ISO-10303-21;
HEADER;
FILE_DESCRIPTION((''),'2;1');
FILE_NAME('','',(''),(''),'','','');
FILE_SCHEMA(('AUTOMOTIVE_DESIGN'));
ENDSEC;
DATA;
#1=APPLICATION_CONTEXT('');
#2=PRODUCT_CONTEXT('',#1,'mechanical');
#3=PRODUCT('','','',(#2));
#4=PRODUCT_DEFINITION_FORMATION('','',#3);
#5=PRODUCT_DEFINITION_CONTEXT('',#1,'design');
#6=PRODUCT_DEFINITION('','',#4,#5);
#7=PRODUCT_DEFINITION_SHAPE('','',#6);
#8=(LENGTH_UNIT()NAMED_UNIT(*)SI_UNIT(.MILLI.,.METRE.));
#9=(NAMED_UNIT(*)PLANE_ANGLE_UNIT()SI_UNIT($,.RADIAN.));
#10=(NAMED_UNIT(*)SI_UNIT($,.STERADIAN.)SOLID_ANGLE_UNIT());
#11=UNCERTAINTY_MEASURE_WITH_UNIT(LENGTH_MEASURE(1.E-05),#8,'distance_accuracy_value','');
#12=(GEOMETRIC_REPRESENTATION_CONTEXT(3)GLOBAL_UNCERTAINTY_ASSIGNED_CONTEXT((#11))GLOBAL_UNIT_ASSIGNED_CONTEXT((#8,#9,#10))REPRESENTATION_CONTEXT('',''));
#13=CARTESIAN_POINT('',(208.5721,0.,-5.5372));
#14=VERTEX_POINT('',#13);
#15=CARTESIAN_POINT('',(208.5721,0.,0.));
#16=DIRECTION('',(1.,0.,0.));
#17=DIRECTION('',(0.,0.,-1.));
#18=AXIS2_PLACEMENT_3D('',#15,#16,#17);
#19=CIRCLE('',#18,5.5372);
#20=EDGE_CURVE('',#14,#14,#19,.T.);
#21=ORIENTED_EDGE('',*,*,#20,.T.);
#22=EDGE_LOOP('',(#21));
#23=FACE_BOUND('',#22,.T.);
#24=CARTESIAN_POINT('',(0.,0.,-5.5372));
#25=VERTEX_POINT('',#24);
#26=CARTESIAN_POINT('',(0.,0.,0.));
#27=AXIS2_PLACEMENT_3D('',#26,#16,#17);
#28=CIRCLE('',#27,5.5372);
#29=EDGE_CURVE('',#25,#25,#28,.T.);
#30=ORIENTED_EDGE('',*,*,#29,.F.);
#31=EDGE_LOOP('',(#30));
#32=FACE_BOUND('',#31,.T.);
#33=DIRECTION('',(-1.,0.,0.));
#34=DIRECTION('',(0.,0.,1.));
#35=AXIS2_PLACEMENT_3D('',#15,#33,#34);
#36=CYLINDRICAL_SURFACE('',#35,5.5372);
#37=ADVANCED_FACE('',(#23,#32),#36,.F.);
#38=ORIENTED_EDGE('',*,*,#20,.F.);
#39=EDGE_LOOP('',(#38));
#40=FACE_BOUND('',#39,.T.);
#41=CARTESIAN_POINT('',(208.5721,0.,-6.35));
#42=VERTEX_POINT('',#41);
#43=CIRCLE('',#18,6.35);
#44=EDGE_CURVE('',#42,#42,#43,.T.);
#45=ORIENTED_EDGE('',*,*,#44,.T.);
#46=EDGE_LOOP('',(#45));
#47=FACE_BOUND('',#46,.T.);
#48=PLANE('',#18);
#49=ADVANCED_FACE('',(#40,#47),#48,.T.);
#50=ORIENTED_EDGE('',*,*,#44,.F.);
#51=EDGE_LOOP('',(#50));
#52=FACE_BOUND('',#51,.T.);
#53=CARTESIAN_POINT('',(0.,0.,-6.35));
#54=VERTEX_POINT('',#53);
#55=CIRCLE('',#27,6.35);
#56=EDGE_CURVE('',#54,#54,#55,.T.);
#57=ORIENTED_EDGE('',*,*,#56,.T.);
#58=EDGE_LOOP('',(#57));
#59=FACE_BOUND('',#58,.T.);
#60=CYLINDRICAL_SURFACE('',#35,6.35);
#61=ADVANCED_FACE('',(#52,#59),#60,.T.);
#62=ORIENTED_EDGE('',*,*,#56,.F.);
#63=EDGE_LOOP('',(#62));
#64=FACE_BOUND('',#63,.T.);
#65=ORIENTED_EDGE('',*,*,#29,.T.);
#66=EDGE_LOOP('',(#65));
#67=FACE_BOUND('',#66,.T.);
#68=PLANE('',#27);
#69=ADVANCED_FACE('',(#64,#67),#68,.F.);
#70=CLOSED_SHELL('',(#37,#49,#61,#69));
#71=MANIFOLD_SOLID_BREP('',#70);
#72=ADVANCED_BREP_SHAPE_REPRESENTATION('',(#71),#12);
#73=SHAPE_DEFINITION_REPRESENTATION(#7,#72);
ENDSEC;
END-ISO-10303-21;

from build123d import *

# Parameters (mm, degrees)
SKETCH1_R      = 6.35
SKETCH1_R_2    = 5.5372
EXTRUDE1_DEPTH = 208.5721


with BuildPart() as part:
    # Sketch1 → Extrude1 (new body)
    with BuildSketch(Plane(origin=(0, 0, 0), x_dir=(0, 0, -1), z_dir=(1, 0, 0))):
        Circle(SKETCH1_R)
        Circle(SKETCH1_R_2, mode=Mode.SUBTRACT)
    extrude(amount=EXTRUDE1_DEPTH)


solid = part.part
